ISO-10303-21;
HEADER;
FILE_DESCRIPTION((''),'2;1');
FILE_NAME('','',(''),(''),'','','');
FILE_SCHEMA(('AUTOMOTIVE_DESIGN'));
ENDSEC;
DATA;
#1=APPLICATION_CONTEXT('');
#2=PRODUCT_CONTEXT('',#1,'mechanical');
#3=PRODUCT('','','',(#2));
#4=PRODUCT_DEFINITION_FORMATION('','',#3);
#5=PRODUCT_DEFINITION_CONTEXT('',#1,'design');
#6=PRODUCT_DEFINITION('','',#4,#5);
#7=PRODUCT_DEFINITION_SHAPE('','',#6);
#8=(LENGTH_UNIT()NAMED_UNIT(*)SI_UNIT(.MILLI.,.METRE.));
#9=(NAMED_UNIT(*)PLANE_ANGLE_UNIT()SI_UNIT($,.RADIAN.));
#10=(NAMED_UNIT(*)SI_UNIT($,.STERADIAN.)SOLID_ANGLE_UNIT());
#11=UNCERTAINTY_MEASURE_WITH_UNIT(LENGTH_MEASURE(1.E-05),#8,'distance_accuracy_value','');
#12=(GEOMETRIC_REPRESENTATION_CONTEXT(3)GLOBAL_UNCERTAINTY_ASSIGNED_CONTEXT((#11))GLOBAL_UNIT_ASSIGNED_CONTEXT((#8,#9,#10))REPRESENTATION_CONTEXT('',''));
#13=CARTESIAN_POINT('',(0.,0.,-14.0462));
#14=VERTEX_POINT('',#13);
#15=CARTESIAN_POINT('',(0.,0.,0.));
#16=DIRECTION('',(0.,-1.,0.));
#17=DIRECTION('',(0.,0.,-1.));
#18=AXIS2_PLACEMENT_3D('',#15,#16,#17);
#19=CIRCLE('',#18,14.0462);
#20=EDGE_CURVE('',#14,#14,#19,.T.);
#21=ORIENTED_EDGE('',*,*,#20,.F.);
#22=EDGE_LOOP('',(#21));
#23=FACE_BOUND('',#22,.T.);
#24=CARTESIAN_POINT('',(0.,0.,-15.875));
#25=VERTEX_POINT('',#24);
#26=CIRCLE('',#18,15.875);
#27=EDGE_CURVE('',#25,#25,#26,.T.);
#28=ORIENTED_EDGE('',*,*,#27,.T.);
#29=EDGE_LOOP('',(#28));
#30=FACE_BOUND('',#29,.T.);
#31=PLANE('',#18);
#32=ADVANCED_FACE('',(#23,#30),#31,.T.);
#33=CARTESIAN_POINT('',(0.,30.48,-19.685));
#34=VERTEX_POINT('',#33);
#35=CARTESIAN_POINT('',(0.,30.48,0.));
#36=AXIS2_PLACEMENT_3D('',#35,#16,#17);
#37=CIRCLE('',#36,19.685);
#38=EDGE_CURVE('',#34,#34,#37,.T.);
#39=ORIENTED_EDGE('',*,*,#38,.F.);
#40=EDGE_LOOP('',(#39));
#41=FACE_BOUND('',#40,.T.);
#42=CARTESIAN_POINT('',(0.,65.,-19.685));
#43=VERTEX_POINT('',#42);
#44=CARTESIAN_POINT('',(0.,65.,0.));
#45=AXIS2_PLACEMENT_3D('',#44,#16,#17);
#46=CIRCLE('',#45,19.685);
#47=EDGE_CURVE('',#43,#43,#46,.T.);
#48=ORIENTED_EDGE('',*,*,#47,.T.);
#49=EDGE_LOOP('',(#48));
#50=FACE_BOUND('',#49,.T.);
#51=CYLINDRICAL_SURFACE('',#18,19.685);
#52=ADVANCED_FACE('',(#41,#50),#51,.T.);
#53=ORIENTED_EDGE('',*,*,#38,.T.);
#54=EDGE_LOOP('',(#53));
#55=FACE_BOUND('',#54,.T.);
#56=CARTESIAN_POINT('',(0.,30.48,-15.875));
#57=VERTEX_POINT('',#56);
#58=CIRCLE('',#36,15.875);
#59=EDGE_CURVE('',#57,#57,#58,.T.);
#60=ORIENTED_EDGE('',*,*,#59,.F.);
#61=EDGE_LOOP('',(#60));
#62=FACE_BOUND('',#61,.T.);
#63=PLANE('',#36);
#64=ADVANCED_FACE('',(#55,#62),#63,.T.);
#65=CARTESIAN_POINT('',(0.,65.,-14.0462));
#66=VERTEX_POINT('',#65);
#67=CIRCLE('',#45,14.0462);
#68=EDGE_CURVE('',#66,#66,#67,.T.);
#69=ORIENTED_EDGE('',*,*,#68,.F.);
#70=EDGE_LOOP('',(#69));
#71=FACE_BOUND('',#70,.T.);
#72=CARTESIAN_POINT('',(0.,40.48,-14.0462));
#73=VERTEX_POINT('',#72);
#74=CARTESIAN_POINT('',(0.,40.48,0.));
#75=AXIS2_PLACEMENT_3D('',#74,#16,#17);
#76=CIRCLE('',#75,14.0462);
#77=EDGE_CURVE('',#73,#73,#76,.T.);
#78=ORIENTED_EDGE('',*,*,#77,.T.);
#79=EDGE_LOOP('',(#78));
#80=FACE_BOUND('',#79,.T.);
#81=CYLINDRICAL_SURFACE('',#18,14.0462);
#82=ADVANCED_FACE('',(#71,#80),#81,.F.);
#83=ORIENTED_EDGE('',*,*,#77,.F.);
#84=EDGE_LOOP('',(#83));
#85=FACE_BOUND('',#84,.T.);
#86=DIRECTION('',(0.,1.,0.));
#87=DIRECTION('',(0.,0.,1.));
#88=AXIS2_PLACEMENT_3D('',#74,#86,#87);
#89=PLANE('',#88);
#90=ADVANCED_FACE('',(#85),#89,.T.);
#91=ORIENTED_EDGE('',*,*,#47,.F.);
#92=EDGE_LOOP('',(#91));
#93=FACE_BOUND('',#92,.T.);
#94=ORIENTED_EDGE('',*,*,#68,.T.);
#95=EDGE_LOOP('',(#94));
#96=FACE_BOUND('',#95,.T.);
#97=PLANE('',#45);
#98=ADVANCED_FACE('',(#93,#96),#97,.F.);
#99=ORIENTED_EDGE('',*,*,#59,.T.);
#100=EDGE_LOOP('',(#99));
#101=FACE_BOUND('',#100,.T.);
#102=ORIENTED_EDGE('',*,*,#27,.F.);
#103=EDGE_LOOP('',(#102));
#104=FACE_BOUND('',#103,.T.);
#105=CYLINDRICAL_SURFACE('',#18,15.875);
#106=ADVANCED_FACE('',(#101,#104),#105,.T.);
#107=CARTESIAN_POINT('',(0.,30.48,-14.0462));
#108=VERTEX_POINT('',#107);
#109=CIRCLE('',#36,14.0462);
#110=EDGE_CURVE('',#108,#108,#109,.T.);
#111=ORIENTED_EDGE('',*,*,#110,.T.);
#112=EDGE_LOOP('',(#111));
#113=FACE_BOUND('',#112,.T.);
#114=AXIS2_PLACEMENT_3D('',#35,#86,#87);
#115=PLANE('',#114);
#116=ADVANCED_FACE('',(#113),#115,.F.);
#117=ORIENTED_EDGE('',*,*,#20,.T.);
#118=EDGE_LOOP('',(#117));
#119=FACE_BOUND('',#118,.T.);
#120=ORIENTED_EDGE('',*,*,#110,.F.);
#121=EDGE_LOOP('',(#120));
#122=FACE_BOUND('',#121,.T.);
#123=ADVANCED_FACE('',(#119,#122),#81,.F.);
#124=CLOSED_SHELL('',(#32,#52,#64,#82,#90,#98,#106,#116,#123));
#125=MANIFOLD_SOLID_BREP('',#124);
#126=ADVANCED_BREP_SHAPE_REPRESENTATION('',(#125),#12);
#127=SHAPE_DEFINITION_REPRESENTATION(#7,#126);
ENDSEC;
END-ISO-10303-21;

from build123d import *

# Parameters (mm, degrees)
SKETCH1_W   = 14.0462
SKETCH1_H   = 10
SKETCH1_W_2 = 1.8288
SKETCH1_H_2 = 30.48


with BuildPart() as part:
    # Sketch1 → Revolve1 (revolve)
    with BuildSketch(Plane.XY, mode=Mode.PRIVATE) as revolve1_sk:
        with Locations((7.0231, 35.48)):
            Rectangle(SKETCH1_W, SKETCH1_H)
        Polygon((14.0462, 40.48), (14.0462, 30.48), (15.875, 30.48), (19.685, 30.48), (19.685, 65), (14.0462, 65), align=None)
        with Locations((14.9606, 15.24)):
            Rectangle(SKETCH1_W_2, SKETCH1_H_2)
    revolve(revolve1_sk.sketch.rotate(Axis((0, 0, 0), (0, 1, 0)), 90), axis=Axis((0, 0, 0), (0, 1, 0)))


solid = part.part
